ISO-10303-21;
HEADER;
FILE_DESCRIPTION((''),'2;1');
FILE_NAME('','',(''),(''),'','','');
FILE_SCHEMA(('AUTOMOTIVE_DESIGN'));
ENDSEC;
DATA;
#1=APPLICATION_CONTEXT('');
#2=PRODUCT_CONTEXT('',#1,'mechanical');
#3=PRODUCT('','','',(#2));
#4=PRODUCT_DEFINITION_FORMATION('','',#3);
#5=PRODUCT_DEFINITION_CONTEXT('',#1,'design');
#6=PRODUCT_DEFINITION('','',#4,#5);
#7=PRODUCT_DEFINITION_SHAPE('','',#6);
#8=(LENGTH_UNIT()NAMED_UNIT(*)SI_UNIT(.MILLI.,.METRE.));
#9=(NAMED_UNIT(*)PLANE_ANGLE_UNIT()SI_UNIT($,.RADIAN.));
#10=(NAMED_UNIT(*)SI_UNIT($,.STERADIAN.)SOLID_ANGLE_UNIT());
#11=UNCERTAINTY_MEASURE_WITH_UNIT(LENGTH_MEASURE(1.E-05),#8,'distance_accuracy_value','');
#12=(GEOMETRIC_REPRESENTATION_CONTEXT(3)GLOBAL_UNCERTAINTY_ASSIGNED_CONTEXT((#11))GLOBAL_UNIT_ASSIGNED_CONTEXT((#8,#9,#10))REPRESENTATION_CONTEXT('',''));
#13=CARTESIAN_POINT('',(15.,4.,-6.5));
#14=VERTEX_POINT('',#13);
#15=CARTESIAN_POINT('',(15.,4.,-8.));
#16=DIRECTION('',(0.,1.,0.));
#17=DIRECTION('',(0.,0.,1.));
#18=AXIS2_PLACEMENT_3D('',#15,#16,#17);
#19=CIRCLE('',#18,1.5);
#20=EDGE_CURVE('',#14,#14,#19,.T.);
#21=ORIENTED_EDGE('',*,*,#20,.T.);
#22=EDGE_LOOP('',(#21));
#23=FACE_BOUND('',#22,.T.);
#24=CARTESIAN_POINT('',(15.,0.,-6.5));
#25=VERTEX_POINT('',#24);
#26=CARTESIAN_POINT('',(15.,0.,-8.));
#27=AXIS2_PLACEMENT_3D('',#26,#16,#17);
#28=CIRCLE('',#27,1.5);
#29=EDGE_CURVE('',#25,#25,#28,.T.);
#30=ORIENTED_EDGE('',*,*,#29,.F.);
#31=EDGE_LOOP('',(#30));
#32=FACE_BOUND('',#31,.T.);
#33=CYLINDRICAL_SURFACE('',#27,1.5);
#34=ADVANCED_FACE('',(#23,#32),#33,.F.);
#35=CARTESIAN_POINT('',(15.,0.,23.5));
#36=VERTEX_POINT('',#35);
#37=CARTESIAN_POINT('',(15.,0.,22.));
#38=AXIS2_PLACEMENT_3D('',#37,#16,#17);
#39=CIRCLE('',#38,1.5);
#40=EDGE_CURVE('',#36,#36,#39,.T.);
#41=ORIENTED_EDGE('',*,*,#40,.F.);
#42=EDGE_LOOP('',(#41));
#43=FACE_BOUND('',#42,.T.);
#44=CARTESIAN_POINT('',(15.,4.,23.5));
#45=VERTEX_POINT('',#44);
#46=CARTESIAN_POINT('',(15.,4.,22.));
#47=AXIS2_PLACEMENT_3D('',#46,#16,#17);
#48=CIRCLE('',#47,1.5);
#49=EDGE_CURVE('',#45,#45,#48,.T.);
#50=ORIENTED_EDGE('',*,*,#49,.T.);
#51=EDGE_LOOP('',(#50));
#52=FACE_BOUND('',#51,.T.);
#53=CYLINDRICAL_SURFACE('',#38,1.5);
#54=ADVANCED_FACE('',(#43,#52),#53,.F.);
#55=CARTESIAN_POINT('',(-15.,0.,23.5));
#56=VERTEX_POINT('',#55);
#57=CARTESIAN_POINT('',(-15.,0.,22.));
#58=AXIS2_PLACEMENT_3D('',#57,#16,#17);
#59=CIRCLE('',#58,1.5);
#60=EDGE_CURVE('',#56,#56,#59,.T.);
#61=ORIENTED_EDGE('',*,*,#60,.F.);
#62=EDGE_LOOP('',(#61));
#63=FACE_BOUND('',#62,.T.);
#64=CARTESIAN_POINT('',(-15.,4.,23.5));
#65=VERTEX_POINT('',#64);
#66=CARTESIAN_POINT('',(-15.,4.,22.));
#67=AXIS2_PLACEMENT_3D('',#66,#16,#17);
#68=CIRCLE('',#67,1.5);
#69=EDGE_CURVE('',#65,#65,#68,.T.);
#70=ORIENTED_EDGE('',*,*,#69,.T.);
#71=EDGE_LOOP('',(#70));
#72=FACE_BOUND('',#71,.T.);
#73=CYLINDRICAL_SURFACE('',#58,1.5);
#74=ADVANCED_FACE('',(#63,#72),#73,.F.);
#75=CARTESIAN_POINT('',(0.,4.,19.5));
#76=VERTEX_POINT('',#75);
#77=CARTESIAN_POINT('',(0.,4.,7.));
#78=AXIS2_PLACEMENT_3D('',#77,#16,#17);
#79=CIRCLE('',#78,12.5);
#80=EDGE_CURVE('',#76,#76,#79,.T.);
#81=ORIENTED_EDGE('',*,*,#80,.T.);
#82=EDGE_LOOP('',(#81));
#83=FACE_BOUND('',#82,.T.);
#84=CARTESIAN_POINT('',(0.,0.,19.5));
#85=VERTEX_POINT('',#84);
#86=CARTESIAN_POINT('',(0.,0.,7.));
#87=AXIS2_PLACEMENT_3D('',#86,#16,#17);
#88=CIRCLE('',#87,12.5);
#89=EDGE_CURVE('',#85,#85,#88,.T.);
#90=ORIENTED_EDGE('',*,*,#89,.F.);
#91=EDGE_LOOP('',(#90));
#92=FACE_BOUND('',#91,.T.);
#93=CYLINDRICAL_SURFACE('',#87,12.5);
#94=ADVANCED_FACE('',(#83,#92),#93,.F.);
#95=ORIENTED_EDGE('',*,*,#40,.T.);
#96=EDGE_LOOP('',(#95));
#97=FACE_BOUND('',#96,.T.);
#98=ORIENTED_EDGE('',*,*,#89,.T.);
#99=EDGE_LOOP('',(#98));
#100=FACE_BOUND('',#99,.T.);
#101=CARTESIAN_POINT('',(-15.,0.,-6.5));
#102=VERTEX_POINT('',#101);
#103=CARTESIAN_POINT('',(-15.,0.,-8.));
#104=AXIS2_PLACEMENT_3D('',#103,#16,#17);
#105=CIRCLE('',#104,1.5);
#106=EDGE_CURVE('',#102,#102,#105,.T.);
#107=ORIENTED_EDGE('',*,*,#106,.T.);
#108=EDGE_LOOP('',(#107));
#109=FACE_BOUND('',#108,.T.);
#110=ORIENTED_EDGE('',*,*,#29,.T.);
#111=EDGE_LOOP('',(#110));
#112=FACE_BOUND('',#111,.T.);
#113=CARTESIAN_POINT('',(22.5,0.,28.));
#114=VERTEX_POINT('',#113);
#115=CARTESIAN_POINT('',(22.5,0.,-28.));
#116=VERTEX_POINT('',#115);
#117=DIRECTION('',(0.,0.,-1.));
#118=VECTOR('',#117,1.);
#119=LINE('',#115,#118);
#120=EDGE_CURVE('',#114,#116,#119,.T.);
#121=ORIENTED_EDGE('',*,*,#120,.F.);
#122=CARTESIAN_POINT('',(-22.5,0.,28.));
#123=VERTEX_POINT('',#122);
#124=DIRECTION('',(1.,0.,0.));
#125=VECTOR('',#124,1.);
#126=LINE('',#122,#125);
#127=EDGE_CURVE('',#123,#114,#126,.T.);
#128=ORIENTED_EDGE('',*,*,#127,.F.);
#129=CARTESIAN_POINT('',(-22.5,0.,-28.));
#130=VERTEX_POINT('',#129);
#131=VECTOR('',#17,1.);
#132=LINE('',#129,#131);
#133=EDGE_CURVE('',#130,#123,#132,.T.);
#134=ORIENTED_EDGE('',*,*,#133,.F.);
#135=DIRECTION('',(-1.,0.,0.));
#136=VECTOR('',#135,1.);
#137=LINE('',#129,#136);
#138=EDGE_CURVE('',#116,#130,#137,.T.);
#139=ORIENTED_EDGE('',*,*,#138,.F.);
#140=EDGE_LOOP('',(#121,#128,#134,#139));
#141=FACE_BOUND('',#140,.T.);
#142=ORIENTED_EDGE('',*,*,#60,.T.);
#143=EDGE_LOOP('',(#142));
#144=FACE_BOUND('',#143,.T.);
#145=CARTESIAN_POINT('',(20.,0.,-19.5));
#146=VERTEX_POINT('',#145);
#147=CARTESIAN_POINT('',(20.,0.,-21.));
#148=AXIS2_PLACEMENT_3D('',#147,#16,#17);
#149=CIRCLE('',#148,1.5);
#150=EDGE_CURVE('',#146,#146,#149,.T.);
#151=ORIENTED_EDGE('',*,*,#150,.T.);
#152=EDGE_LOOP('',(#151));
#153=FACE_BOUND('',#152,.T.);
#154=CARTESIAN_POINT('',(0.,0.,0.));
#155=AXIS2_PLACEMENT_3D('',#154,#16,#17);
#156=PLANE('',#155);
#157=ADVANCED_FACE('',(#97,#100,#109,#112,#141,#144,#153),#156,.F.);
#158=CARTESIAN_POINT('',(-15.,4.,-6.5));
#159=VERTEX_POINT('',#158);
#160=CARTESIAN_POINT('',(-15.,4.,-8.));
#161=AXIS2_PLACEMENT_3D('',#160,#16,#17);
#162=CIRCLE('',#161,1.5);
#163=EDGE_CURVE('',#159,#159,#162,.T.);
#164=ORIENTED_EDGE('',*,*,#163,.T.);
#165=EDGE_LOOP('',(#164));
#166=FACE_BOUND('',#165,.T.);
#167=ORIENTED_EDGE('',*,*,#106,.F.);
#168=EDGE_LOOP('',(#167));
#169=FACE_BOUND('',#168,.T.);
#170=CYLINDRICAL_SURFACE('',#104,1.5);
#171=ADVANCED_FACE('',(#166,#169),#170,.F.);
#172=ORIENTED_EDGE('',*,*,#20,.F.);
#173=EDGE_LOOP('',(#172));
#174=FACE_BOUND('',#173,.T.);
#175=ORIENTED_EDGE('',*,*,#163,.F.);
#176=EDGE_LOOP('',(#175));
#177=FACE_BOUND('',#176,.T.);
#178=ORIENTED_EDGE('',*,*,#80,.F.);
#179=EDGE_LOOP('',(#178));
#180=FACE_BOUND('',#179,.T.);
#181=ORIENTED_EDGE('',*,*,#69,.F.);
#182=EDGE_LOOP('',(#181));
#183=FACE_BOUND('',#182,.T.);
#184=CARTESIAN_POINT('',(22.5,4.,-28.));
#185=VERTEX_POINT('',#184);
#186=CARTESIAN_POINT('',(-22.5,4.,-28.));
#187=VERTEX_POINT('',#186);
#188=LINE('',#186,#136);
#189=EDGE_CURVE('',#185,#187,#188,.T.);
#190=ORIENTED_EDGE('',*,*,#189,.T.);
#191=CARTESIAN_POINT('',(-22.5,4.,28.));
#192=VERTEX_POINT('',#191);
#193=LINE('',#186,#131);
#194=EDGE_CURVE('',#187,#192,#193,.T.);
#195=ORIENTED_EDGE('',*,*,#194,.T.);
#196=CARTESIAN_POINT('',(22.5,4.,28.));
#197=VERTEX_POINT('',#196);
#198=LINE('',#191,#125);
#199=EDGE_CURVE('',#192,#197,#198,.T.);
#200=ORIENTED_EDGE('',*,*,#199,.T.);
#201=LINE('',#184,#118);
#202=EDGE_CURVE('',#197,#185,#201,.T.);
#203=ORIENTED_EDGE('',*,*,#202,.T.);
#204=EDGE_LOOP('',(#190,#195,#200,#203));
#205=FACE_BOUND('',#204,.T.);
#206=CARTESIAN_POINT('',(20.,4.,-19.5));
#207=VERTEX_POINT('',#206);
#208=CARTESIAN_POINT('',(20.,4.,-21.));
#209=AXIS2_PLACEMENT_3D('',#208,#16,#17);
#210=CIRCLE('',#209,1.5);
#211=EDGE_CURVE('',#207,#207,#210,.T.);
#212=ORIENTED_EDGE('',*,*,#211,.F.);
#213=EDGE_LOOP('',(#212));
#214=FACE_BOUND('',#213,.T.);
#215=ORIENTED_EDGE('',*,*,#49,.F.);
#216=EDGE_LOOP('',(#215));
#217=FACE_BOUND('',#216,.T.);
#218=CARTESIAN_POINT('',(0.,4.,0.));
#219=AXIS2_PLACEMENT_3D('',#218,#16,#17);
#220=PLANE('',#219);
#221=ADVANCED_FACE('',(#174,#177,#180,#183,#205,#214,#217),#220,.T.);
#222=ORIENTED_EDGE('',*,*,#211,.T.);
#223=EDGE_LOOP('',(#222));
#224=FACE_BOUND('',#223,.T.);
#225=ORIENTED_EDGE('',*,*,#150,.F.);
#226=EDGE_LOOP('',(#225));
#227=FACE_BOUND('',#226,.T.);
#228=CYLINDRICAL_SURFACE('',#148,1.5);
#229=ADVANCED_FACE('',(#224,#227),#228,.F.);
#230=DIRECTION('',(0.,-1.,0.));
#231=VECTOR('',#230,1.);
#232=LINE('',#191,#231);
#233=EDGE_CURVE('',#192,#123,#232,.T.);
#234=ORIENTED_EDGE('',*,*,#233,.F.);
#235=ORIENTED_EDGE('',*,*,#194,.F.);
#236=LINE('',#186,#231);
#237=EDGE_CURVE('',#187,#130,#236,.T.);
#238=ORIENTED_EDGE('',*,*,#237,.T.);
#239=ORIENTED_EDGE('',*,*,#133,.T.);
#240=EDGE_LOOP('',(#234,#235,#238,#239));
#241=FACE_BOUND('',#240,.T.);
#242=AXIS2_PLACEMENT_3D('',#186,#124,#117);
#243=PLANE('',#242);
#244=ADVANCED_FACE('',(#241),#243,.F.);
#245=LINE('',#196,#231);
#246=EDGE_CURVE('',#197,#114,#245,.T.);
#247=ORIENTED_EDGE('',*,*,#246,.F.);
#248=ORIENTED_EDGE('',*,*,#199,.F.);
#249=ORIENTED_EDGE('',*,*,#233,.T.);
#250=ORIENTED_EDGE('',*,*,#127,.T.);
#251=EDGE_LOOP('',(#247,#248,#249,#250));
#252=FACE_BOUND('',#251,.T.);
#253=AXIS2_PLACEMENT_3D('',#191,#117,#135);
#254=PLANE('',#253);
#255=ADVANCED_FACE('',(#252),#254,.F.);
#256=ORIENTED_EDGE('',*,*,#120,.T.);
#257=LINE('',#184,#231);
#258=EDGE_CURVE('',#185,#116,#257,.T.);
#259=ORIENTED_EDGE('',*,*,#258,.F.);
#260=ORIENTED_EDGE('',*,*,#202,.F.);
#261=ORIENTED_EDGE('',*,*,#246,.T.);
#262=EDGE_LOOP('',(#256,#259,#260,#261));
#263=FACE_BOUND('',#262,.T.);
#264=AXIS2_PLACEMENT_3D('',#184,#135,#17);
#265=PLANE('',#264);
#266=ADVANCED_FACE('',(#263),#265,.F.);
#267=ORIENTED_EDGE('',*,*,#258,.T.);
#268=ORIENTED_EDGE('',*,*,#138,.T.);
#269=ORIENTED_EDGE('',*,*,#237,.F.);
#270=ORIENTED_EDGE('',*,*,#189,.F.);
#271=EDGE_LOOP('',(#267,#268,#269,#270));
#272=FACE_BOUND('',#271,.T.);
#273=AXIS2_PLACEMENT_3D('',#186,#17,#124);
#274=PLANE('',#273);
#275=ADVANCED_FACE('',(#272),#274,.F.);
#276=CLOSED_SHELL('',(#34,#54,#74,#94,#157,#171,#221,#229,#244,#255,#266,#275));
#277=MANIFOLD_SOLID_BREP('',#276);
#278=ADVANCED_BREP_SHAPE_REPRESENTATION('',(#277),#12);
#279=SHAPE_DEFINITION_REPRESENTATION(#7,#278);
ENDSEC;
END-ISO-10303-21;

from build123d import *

# Parameters (mm, degrees)
ESBO_O1_W                = 45
ESBO_O1_H                = 56
RESSALTO_EXTRUS_O1_DEPTH = 4
ESBO_O4_R                = 1.5
ESBO_O4_R_2              = 12.5
CORTE_EXTRUS_O1_DEPTH    = 37.142080737


with BuildPart() as part:
    # Esboço1 → Ressalto-extrusão1 (new body)
    with BuildSketch(Plane(origin=(0, 0, 0), x_dir=(1, 0, 0), z_dir=(0, 1, 0))):
        Rectangle(ESBO_O1_W, ESBO_O1_H)
    extrude(amount=RESSALTO_EXTRUS_O1_DEPTH)

    # Esboço4 → Corte-extrusão1 (cut, through all)
    with BuildSketch(Plane(origin=(0, 4, 0), x_dir=(1, 0, 0), z_dir=(0, 1, 0))):
        with Locations(Location((-15, 8, 0), (0, 0, 270))):
            Circle(ESBO_O4_R)
        with Locations(Location((-15, -22, 0), (0, 0, 270))):
            Circle(ESBO_O4_R)
        with Locations(Location((15, -22, 0), (0, 0, 270))):
            Circle(ESBO_O4_R)
        with Locations(Location((15, 8, 0), (0, 0, 270))):
            Circle(ESBO_O4_R)
        with Locations(Location((20, 21, 0), (0, 0, 270))):
            Circle(ESBO_O4_R)
        with Locations(Location((0, -7, 0), (0, 0, 270))):
            Circle(ESBO_O4_R_2)
    extrude(amount=-CORTE_EXTRUS_O1_DEPTH, mode=Mode.SUBTRACT)


solid = part.part
